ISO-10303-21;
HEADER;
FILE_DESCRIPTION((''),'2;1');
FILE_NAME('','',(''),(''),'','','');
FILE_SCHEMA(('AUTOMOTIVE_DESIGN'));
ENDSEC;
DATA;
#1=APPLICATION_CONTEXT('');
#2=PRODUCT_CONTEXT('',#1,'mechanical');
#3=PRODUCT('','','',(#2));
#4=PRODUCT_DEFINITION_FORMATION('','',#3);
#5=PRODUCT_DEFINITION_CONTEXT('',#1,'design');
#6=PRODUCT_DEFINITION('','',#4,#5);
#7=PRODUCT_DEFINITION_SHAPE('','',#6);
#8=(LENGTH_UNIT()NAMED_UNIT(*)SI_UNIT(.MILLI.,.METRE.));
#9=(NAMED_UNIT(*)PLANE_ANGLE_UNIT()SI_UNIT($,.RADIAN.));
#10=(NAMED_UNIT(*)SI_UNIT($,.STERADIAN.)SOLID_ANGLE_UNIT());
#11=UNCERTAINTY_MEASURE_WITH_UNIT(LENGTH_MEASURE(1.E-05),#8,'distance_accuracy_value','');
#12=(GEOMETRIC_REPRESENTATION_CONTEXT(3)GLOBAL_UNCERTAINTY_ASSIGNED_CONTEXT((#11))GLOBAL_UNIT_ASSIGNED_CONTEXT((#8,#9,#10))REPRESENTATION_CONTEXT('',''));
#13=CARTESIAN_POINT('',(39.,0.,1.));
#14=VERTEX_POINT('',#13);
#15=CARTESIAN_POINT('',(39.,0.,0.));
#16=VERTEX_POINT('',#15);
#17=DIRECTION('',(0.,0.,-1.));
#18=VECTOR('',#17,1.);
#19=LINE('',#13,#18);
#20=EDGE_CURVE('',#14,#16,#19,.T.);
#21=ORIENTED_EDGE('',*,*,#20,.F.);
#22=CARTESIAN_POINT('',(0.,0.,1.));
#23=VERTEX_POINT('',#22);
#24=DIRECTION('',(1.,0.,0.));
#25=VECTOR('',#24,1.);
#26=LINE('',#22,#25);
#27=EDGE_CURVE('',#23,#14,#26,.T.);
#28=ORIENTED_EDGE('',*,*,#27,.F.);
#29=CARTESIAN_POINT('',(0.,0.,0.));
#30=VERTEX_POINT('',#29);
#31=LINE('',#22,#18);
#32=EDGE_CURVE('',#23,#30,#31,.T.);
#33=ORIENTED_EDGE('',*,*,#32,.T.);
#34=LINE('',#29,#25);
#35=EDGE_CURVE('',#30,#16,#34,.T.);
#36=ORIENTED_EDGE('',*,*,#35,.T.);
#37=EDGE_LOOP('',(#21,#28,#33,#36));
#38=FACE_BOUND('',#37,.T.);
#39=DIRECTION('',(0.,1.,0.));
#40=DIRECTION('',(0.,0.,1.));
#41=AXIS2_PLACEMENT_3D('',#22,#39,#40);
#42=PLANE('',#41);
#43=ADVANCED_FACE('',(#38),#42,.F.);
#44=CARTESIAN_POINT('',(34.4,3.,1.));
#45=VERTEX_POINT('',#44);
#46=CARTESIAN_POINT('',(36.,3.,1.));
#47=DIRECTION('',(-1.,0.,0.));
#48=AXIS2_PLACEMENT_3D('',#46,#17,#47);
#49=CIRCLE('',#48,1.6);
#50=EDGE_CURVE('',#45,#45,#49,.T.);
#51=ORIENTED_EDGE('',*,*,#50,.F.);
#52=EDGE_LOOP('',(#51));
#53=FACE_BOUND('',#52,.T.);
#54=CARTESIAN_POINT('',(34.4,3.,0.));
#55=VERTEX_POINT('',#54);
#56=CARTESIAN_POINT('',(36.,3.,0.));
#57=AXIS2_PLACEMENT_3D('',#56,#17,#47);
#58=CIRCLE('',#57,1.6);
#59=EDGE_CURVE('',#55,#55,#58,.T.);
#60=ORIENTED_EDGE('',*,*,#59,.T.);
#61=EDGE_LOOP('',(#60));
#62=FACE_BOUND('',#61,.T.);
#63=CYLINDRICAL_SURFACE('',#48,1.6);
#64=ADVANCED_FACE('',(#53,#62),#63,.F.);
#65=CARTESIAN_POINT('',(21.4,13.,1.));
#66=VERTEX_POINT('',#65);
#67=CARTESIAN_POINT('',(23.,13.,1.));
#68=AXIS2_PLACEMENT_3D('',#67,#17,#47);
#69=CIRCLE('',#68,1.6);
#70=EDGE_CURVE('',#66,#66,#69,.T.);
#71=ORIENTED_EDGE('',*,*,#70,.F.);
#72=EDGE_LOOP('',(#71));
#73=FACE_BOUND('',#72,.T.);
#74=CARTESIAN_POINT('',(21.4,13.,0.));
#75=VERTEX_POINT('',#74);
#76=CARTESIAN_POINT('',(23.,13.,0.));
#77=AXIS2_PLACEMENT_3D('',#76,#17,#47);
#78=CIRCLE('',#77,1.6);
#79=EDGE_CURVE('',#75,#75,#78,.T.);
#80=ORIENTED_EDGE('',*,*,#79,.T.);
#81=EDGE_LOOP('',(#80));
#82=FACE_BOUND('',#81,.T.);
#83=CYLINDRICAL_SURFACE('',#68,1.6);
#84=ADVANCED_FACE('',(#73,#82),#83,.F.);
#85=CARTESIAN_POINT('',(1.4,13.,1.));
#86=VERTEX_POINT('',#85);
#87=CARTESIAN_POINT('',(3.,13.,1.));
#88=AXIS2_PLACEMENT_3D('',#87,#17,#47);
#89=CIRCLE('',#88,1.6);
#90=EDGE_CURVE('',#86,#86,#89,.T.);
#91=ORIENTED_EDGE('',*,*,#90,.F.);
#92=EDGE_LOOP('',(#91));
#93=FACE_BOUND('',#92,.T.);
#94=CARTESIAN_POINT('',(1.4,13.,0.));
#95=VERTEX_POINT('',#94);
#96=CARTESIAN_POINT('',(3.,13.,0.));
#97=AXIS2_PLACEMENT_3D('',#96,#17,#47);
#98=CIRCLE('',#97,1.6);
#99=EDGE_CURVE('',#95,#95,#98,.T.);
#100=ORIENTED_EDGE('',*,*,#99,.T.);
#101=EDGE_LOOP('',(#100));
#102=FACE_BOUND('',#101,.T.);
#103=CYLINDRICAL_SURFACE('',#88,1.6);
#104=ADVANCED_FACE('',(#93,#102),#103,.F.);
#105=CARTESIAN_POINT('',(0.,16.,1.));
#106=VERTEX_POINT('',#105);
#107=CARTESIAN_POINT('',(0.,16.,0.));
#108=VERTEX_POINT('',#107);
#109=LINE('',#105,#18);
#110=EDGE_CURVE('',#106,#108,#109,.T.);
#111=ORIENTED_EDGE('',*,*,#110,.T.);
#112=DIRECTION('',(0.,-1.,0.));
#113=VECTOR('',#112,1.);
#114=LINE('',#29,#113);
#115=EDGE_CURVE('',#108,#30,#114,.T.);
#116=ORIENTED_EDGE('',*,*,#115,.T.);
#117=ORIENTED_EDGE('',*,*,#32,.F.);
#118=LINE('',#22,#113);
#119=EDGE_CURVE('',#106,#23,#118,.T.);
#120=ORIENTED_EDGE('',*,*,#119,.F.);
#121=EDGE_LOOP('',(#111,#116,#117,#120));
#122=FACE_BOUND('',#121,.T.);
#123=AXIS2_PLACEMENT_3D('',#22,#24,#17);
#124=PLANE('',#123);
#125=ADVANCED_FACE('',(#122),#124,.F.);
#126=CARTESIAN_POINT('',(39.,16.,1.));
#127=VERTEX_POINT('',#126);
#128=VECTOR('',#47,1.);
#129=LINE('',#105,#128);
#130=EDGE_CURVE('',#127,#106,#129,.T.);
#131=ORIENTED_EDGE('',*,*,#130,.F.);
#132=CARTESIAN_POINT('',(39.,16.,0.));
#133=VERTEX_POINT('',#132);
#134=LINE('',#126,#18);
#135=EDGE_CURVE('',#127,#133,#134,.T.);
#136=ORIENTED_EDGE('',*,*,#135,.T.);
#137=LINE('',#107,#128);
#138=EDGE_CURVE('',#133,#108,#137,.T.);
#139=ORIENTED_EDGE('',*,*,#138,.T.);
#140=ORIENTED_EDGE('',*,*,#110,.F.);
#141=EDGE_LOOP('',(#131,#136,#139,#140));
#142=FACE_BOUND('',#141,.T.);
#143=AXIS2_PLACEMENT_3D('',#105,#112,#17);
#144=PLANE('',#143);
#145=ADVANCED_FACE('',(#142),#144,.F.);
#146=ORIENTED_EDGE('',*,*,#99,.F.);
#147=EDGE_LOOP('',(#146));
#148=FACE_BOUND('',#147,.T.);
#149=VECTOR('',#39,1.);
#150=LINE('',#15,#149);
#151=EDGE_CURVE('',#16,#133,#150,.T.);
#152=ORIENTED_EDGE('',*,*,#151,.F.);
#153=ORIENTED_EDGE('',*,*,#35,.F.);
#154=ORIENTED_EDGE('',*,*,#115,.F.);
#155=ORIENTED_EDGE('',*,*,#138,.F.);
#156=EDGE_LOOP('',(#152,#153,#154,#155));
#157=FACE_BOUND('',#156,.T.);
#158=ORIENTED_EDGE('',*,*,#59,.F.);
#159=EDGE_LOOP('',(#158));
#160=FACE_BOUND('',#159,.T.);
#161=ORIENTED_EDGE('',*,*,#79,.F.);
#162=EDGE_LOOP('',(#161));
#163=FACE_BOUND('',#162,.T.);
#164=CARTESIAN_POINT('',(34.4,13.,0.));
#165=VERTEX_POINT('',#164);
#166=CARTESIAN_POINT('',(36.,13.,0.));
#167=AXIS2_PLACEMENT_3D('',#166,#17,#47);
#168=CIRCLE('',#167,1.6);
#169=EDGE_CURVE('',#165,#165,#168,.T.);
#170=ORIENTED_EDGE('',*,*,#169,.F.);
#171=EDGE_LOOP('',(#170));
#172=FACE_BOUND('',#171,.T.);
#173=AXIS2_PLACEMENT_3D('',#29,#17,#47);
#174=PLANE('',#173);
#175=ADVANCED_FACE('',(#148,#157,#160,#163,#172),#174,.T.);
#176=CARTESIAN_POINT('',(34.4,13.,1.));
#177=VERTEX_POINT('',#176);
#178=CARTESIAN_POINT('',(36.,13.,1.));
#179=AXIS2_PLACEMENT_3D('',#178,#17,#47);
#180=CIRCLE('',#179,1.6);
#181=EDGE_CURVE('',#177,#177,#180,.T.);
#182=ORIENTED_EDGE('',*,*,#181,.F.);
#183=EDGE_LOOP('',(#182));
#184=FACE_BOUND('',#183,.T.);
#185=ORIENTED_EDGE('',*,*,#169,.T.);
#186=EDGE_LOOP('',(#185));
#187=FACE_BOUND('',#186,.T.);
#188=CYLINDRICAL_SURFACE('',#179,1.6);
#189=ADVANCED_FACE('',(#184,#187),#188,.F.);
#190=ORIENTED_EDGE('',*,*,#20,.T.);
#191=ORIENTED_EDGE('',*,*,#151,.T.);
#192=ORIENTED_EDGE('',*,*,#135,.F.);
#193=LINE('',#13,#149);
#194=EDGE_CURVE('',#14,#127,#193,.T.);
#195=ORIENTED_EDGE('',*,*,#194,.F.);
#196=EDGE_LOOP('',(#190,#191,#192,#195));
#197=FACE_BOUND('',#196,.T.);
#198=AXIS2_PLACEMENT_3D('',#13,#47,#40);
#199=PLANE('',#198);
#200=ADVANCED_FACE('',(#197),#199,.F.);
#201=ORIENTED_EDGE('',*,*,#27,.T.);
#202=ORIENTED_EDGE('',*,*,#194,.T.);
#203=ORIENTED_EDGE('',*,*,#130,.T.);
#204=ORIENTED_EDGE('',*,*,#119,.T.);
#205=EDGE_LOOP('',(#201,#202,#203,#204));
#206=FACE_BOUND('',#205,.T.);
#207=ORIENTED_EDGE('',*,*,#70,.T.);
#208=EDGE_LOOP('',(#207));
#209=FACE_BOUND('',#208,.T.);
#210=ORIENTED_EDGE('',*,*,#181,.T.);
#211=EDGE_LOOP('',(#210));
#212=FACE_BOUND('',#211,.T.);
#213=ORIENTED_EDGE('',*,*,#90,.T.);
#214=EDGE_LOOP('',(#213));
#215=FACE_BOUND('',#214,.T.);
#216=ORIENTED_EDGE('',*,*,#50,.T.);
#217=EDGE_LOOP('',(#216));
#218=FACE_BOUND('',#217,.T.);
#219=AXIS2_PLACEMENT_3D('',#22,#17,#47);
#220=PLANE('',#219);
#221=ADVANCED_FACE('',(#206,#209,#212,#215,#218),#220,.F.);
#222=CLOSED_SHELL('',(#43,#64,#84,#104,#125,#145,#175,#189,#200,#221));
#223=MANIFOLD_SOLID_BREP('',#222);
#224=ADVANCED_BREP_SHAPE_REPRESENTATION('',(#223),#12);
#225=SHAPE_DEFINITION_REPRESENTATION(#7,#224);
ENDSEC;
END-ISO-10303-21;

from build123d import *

# Parameters (mm, degrees)
ESQUISSE1_W             = 39
ESQUISSE1_H             = 16
BOSS_EXTRU_1_DEPTH      = 1
ESQUISSE2_R             = 1.6
ENL_V_MAT_EXTRU_1_DEPTH = 1


with BuildPart() as part:
    # Esquisse1 → Boss.-Extru.1 (new body)
    with BuildSketch(Plane.XY):
        with Locations((19.5, 8)):
            Rectangle(ESQUISSE1_W, ESQUISSE1_H)
    extrude(amount=BOSS_EXTRU_1_DEPTH)

    # Esquisse2 → Enlèv. mat.-Extru.1 (cut)
    with BuildSketch(Plane(origin=(0, 0, 0), x_dir=(-1, 0, 0), z_dir=(0, 0, -1))):
        with Locations((-36, 13)):
            Circle(ESQUISSE2_R)
        with Locations((-36, 3)):
            Circle(ESQUISSE2_R)
        with Locations((-23, 13)):
            Circle(ESQUISSE2_R)
        with Locations((-3, 13)):
            Circle(ESQUISSE2_R)
    extrude(amount=-ENL_V_MAT_EXTRU_1_DEPTH, mode=Mode.SUBTRACT)


solid = part.part
